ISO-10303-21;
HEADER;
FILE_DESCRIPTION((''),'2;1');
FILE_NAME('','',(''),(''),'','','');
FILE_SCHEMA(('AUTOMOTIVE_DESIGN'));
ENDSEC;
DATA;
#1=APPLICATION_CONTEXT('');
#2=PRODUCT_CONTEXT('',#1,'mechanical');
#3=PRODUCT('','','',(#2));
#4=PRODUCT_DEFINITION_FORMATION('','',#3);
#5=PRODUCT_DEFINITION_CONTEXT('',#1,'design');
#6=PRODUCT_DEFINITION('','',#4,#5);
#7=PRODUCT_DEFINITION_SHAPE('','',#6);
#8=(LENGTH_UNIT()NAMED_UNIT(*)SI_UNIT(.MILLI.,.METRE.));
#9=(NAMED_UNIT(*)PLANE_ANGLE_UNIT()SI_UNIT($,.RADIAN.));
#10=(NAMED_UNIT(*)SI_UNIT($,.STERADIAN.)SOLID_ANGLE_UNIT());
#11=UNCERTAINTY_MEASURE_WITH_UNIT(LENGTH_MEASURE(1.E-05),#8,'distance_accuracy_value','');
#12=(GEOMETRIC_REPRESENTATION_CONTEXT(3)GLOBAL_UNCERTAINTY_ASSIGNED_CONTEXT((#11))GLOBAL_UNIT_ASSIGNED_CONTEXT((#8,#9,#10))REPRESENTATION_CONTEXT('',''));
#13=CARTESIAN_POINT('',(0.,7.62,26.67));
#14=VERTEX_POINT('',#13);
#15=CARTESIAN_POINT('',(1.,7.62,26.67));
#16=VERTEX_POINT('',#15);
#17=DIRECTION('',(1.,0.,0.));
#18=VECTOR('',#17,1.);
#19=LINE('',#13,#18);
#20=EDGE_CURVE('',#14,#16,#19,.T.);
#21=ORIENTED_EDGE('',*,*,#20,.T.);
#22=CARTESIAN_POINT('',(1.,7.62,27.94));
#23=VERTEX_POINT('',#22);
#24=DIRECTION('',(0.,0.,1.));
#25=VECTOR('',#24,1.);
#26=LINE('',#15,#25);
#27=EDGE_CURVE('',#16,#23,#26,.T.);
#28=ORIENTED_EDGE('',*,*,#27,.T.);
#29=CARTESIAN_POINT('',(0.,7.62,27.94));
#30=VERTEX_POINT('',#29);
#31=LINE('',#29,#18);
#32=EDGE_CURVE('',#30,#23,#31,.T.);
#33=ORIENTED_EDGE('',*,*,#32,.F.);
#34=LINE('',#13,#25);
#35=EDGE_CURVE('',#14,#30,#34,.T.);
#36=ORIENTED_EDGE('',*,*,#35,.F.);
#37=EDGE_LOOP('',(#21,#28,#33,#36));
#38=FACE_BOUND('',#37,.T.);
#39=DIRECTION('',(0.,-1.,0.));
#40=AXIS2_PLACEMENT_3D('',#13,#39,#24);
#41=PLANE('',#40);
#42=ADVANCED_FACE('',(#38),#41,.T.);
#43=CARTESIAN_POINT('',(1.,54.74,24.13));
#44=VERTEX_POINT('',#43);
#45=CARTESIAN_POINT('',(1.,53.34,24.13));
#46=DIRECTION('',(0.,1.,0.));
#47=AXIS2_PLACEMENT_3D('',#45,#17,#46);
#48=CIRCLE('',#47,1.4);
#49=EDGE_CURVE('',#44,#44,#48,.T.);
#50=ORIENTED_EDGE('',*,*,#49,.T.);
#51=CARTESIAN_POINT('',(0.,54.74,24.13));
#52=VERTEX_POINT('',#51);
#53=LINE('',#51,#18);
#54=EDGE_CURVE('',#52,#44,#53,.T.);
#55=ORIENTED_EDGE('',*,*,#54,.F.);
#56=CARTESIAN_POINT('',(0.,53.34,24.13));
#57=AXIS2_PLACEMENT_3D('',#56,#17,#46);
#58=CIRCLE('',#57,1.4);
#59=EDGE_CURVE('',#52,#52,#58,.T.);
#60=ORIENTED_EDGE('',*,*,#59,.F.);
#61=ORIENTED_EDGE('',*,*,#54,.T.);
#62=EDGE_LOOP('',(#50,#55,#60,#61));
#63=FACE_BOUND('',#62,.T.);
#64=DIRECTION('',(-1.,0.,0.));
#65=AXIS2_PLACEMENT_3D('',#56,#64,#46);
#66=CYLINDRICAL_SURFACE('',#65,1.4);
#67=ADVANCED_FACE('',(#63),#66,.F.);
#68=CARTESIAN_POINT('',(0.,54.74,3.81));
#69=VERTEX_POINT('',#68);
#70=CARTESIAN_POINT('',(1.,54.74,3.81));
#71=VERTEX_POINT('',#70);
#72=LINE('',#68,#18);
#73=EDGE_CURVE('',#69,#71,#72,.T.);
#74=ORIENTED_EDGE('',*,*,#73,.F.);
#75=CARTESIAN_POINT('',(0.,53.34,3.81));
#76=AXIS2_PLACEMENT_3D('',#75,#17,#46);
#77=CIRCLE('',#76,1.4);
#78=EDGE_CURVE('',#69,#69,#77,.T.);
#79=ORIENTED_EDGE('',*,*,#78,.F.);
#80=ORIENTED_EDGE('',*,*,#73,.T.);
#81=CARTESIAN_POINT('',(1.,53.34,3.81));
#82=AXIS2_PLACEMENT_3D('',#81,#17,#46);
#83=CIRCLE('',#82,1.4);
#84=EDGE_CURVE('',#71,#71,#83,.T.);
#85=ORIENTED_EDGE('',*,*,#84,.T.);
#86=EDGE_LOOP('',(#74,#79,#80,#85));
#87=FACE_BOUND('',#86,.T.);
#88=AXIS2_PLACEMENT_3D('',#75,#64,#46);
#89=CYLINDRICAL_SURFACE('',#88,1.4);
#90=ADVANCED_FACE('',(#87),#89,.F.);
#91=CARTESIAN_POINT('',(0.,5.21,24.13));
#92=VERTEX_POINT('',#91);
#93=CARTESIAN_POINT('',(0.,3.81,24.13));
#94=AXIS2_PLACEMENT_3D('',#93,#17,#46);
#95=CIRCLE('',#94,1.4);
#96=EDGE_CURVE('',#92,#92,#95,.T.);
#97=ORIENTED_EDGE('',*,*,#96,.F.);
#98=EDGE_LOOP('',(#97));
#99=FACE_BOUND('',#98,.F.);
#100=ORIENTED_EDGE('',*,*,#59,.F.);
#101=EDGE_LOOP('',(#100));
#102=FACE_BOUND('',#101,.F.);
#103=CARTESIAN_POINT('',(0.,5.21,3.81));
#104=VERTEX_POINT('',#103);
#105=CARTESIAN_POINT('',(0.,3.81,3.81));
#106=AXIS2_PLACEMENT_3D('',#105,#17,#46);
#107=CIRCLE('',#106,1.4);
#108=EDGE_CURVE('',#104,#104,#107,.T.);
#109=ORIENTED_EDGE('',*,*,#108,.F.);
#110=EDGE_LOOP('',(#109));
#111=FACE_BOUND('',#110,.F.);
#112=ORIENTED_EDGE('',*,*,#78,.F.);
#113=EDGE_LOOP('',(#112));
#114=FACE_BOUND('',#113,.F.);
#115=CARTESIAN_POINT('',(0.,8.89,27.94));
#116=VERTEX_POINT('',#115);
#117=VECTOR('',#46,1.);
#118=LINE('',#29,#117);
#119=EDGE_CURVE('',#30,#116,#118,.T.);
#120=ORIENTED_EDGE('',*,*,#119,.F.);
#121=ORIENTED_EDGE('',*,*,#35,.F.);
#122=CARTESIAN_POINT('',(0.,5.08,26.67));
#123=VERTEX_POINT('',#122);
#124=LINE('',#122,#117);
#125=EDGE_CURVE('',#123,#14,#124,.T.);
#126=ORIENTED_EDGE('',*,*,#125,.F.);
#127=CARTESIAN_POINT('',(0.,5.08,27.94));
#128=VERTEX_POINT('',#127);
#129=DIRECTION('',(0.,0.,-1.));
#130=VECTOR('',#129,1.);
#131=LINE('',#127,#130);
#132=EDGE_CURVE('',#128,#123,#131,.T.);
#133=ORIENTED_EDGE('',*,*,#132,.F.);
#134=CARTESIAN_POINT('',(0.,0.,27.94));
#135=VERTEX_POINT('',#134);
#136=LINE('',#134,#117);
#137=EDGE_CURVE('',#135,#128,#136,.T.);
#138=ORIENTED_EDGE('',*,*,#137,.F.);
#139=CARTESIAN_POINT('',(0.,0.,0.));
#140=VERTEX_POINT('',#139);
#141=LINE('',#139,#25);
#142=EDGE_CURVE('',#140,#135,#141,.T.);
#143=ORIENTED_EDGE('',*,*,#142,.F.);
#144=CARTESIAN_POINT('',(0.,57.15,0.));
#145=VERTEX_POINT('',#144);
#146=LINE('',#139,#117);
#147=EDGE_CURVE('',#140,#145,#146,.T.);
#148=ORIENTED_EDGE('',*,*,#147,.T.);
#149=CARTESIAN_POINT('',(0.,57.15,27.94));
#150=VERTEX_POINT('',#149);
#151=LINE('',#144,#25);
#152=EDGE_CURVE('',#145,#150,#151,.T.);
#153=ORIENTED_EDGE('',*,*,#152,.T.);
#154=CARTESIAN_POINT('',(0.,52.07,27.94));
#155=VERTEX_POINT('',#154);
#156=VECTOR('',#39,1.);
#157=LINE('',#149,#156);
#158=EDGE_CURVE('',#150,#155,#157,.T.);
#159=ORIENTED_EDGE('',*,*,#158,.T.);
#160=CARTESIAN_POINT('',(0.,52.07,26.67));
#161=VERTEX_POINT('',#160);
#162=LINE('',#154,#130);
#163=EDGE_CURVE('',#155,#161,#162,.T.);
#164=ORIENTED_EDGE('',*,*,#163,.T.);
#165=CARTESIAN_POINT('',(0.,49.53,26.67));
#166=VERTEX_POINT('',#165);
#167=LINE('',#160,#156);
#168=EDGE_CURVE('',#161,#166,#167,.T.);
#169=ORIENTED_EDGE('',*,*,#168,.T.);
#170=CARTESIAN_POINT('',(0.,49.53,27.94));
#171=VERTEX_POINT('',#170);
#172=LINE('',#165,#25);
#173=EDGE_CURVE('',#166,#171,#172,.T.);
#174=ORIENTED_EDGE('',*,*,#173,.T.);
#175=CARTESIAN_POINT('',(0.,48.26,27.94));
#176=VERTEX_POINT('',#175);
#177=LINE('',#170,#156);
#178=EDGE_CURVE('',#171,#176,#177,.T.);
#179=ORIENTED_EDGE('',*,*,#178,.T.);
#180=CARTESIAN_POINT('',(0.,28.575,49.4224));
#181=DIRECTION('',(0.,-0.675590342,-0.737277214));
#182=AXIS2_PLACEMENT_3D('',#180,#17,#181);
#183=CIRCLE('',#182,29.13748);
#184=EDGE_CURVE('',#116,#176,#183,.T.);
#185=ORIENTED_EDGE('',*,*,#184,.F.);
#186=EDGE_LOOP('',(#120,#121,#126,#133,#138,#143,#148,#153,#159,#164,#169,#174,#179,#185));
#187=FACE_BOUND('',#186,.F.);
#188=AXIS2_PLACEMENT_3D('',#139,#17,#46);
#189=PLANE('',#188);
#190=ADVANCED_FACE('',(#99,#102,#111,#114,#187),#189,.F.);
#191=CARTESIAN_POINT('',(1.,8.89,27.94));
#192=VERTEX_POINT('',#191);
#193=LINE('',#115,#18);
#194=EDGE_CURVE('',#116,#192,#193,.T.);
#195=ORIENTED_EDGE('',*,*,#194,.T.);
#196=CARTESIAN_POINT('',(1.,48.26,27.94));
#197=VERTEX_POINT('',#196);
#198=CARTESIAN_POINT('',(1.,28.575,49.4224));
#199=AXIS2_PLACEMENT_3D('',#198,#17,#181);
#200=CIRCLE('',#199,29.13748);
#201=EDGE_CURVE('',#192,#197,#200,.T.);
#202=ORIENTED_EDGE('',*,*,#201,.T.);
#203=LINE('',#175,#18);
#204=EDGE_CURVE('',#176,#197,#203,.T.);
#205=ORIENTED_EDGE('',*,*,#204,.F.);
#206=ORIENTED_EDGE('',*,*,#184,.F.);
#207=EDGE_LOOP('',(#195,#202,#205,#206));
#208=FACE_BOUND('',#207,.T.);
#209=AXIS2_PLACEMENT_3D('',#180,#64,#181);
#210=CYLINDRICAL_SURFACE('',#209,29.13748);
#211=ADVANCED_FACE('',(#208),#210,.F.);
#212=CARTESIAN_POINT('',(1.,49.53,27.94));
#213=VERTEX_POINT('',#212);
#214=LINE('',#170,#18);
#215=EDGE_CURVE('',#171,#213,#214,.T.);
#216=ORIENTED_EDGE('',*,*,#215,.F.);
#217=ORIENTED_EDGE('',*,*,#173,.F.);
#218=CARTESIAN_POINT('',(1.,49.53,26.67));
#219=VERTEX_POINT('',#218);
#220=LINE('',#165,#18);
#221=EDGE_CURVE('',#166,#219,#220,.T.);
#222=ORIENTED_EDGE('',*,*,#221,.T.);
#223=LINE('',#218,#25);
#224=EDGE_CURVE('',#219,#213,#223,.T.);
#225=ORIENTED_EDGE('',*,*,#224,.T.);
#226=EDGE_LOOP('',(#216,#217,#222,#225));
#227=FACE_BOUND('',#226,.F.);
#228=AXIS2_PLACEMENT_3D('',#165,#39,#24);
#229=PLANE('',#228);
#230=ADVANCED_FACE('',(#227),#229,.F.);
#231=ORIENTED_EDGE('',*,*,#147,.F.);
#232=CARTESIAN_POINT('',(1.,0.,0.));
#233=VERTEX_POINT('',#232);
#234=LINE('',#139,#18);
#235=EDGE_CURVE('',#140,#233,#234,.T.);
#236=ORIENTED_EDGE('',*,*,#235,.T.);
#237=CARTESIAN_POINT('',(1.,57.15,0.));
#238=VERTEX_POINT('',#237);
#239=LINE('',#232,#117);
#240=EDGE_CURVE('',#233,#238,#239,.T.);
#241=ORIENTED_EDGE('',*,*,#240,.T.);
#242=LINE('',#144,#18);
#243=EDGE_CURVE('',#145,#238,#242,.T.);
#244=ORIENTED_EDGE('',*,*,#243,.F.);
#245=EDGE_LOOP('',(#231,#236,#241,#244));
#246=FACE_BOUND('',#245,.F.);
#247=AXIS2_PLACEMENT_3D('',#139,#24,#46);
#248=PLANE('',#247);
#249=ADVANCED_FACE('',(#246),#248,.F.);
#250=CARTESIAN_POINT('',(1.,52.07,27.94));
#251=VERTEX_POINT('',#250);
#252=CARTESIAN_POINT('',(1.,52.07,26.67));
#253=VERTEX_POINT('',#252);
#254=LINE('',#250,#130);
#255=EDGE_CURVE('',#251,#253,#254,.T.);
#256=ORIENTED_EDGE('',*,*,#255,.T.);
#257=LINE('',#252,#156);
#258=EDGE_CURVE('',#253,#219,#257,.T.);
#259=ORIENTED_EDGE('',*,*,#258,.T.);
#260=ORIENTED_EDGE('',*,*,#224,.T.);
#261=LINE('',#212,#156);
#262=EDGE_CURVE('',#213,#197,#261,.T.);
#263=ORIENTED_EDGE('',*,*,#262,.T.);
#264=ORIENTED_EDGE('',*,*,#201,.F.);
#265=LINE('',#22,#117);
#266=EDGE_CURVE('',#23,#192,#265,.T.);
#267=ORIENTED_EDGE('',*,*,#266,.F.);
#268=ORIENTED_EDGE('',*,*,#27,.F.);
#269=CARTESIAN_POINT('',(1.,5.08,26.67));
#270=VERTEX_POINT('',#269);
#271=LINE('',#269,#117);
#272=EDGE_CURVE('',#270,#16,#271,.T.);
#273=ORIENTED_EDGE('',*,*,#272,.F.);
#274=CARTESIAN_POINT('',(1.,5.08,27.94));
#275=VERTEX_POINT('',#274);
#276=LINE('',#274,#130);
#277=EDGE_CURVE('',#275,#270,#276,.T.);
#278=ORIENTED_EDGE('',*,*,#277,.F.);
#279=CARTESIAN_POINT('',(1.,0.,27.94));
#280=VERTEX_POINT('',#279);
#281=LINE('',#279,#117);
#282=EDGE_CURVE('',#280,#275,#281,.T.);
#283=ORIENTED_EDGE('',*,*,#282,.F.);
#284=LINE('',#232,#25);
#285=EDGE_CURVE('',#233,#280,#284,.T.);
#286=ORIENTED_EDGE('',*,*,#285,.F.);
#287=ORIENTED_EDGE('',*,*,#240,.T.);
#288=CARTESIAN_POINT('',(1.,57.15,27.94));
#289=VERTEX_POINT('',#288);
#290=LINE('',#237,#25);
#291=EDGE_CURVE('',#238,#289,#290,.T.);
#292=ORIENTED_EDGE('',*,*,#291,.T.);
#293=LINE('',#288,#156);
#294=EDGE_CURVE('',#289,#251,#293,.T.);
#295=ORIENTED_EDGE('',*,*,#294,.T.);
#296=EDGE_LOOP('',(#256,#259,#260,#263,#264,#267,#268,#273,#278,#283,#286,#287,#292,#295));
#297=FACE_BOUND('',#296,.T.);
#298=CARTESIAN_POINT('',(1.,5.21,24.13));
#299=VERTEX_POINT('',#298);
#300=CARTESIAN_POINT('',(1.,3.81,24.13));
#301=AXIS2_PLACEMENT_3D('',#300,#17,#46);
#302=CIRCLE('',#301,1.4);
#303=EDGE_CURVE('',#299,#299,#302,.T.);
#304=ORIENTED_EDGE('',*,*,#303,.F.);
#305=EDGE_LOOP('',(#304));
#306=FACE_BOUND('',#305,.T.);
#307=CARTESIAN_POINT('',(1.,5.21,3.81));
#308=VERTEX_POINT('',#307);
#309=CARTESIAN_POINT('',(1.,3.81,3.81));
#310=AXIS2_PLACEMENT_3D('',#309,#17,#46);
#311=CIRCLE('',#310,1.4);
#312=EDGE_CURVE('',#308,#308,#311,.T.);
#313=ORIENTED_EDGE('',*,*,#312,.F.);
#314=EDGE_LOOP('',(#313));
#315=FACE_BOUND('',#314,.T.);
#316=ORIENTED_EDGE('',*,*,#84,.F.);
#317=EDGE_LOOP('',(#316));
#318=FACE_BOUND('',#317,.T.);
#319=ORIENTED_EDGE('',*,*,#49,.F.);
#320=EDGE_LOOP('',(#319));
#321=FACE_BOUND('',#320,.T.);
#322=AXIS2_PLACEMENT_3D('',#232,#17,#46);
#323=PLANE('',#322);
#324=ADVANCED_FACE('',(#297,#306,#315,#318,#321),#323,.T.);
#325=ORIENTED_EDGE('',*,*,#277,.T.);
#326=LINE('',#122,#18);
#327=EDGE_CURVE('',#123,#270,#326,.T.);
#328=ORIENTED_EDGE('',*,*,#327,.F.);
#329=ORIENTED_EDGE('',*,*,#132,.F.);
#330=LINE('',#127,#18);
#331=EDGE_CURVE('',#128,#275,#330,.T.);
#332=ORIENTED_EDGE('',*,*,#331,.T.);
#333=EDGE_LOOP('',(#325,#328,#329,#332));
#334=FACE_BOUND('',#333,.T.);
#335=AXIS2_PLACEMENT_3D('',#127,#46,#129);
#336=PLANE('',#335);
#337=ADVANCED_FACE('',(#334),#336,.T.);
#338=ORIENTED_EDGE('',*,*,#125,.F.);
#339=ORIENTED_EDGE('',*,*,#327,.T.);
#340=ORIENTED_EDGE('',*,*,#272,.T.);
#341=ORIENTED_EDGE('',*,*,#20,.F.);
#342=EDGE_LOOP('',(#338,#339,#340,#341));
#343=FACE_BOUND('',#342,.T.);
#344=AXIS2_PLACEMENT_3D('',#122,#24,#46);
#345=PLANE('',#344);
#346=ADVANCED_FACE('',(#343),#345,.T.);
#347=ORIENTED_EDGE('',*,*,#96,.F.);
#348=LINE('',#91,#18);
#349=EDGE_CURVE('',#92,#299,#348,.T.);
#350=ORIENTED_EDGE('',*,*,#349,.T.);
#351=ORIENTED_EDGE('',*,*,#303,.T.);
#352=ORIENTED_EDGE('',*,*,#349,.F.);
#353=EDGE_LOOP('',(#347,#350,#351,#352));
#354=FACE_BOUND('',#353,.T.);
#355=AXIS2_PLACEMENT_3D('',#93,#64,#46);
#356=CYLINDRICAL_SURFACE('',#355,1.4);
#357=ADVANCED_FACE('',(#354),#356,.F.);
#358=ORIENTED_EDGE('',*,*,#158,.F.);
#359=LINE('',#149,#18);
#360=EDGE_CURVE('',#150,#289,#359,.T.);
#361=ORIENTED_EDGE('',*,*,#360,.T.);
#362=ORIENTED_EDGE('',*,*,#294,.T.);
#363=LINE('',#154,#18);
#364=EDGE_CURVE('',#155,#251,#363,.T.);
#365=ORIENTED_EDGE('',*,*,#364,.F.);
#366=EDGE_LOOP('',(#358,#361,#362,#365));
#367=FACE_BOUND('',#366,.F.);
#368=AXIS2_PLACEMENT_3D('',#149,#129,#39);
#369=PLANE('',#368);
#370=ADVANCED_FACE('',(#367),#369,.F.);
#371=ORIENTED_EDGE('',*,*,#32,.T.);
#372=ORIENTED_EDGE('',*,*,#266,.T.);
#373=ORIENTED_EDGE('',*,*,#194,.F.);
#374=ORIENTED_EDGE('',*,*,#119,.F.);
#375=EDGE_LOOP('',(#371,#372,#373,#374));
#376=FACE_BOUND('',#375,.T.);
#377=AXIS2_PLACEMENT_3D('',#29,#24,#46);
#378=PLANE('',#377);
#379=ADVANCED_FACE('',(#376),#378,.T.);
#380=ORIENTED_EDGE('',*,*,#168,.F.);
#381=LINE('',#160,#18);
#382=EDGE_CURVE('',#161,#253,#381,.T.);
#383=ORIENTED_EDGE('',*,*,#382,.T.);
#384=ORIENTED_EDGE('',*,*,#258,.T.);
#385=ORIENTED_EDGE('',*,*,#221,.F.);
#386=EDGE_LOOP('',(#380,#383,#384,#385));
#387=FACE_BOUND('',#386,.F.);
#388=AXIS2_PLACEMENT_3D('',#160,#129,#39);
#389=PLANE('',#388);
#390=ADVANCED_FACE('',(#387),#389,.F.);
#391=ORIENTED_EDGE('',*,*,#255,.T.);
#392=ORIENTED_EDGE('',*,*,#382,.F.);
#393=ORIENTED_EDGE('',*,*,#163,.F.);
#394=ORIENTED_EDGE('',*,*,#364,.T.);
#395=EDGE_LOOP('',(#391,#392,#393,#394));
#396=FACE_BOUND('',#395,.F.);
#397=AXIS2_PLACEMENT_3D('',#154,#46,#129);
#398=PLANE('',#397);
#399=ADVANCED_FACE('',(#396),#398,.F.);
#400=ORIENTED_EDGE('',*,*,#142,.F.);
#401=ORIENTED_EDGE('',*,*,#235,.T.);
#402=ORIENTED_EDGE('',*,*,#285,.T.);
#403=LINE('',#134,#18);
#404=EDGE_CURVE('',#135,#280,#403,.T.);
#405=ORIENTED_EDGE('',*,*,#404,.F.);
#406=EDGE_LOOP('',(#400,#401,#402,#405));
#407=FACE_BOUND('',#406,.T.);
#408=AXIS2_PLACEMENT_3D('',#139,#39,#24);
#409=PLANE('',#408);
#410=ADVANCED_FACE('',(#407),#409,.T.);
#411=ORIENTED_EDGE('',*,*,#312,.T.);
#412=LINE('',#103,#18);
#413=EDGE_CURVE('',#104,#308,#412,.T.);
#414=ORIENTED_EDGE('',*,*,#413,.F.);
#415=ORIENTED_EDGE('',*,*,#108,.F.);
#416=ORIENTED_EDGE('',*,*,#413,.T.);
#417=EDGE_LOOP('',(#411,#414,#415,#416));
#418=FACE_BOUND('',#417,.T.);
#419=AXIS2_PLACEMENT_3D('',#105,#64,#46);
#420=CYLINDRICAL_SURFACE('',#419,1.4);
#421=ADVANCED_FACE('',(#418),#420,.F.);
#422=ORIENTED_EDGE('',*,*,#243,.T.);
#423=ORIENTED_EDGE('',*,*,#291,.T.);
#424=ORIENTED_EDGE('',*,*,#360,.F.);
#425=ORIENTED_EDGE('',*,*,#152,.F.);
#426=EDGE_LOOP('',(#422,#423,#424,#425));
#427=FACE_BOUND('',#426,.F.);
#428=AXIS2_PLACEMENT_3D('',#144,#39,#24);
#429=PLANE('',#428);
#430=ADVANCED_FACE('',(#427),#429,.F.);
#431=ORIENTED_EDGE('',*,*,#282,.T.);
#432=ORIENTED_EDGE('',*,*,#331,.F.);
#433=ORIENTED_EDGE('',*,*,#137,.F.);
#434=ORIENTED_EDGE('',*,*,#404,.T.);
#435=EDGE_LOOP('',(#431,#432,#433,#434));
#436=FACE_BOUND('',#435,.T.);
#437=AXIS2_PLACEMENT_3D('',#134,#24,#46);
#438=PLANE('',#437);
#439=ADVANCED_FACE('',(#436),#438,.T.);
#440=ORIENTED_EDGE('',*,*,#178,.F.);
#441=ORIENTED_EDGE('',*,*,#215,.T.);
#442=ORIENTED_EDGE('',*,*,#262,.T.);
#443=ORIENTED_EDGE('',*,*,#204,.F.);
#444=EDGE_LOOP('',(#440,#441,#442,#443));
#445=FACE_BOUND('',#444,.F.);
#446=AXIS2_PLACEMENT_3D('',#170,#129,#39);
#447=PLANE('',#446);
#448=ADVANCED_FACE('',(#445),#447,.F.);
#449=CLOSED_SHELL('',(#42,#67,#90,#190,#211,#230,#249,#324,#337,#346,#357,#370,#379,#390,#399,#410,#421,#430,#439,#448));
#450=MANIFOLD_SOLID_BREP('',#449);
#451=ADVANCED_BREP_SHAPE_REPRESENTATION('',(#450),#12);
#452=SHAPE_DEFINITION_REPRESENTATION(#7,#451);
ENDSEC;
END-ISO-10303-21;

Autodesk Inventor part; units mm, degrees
ref_plane "YZ Plane" through (0, 0, 0) normal (1, 0, 0) x (0, 1, 0)
ref_plane "XZ Plane" through (0, 0, 0) normal (0, 1, 0) x (-1, 0, 0)
ref_plane "XY Plane" through (0, 0, 0) normal (0, 0, 1) x (1, 0, 0)
sketch "Sketch1" plane through (0, 0, 0) normal (1, 0, 0) x (0, 1, 0)
  line L0 (0, 0) -> (57.15, 0)
  line L1 (57.15, 0) -> (57.15, 27.94)
  line L2 (0, 0) -> (0, 27.94)
  arc A0 (8.89, 27.94) -> (48.26, 27.94) centre (28.575, 49.4224) ccw
  line L3 (28.575, 0) -> (28.575, 8.5438) construction
  circle A1 centre (3.81, 3.81) radius 1.4
  circle A2 centre (53.34, 3.81) radius 1.4
  line L4 (0, 27.94) -> (5.08, 27.94)
  line L5 (5.08, 27.94) -> (5.08, 26.67)
  line L6 (5.08, 26.67) -> (7.62, 26.67)
  line L7 (7.62, 26.67) -> (7.62, 27.94)
  line L8 (7.62, 27.94) -> (8.89, 27.94)
  line L9 (57.15, 27.94) -> (52.07, 27.94)
  line L10 (52.07, 27.94) -> (52.07, 26.67)
  line L11 (52.07, 26.67) -> (49.53, 26.67)
  line L12 (49.53, 26.67) -> (49.53, 27.94)
  line L13 (49.53, 27.94) -> (48.26, 27.94)
  circle A3 centre (53.34, 24.13) radius 1.4
  circle A4 centre (3.81, 24.13) radius 1.4
  dimension "d0" = 57.15
  dimension "d1" = 27.94
  dimension "d2" = 27.94
  dimension "d3" = 85
  dimension "d4" = 29.1375
  dimension "d5" = 2.8
  dimension "d6" = 3.81
  dimension "d7" = 3.81
  dimension "d8" = 5.08
  dimension "d9" = 1.27
  dimension "d10" = 2.54
  dimension "d11" = 1.27
  dimension "d14" = 2.8
  dimension "d15" = 20.32
  dimension "d16" = 49.4224
  dimension "d17" = 8.89
  dimension "d18" = 49.53
extrude "Extrusion1" add sketch "Sketch1" along normal blind 1
properties part number "PCBModuleLeft01" material "PCB(1)"
